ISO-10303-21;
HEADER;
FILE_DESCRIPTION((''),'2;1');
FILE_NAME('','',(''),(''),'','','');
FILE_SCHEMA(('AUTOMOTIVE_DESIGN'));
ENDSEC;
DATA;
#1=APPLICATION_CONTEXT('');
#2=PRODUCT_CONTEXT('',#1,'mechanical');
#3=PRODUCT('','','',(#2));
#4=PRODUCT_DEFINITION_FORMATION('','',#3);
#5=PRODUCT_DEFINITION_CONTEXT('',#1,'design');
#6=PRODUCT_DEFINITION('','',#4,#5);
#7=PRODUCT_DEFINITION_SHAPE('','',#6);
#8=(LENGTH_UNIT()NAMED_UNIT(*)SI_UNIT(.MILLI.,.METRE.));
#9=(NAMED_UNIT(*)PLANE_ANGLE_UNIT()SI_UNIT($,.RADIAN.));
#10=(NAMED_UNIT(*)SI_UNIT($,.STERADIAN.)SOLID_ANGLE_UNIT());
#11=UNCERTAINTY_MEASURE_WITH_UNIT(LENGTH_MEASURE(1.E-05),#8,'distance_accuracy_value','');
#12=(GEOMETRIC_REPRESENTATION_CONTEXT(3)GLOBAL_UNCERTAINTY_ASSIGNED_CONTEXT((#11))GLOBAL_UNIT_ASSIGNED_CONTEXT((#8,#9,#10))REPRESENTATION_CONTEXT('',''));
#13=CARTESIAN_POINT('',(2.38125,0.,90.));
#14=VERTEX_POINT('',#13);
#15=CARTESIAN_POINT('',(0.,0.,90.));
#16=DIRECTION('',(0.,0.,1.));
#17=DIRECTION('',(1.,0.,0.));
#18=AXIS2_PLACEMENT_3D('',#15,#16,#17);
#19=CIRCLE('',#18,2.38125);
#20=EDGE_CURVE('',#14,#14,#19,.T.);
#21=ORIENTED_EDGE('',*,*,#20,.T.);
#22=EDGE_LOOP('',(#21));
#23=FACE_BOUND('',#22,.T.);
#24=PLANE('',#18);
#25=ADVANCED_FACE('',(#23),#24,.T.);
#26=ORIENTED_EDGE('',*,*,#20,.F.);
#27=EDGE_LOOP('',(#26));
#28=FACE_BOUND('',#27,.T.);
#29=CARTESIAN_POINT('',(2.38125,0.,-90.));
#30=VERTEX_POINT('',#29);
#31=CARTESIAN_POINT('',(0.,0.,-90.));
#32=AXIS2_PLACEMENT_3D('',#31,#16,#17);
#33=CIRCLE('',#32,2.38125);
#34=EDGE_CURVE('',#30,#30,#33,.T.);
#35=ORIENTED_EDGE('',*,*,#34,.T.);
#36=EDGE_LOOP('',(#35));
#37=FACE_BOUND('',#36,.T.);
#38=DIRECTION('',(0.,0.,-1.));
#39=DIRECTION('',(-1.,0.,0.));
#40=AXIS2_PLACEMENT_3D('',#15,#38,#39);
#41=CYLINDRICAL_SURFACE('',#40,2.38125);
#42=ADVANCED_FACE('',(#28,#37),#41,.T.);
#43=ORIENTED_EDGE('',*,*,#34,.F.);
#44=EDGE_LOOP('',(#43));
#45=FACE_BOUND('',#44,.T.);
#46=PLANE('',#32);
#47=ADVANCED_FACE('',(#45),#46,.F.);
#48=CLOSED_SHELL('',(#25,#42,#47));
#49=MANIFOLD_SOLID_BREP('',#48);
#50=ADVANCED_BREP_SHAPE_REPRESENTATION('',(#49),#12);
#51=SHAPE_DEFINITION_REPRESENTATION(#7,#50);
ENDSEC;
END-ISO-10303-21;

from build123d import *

# Parameters (mm, degrees)
SKETCH1_R           = 2.38125
BOSS_EXTRUDE1_DEPTH = 90


with BuildPart() as part:
    # Sketch1 → Boss-Extrude1 (new body, symmetric)
    with BuildSketch(Plane.XY):
        Circle(SKETCH1_R)
    extrude(amount=BOSS_EXTRUDE1_DEPTH, both=True)


solid = part.part
